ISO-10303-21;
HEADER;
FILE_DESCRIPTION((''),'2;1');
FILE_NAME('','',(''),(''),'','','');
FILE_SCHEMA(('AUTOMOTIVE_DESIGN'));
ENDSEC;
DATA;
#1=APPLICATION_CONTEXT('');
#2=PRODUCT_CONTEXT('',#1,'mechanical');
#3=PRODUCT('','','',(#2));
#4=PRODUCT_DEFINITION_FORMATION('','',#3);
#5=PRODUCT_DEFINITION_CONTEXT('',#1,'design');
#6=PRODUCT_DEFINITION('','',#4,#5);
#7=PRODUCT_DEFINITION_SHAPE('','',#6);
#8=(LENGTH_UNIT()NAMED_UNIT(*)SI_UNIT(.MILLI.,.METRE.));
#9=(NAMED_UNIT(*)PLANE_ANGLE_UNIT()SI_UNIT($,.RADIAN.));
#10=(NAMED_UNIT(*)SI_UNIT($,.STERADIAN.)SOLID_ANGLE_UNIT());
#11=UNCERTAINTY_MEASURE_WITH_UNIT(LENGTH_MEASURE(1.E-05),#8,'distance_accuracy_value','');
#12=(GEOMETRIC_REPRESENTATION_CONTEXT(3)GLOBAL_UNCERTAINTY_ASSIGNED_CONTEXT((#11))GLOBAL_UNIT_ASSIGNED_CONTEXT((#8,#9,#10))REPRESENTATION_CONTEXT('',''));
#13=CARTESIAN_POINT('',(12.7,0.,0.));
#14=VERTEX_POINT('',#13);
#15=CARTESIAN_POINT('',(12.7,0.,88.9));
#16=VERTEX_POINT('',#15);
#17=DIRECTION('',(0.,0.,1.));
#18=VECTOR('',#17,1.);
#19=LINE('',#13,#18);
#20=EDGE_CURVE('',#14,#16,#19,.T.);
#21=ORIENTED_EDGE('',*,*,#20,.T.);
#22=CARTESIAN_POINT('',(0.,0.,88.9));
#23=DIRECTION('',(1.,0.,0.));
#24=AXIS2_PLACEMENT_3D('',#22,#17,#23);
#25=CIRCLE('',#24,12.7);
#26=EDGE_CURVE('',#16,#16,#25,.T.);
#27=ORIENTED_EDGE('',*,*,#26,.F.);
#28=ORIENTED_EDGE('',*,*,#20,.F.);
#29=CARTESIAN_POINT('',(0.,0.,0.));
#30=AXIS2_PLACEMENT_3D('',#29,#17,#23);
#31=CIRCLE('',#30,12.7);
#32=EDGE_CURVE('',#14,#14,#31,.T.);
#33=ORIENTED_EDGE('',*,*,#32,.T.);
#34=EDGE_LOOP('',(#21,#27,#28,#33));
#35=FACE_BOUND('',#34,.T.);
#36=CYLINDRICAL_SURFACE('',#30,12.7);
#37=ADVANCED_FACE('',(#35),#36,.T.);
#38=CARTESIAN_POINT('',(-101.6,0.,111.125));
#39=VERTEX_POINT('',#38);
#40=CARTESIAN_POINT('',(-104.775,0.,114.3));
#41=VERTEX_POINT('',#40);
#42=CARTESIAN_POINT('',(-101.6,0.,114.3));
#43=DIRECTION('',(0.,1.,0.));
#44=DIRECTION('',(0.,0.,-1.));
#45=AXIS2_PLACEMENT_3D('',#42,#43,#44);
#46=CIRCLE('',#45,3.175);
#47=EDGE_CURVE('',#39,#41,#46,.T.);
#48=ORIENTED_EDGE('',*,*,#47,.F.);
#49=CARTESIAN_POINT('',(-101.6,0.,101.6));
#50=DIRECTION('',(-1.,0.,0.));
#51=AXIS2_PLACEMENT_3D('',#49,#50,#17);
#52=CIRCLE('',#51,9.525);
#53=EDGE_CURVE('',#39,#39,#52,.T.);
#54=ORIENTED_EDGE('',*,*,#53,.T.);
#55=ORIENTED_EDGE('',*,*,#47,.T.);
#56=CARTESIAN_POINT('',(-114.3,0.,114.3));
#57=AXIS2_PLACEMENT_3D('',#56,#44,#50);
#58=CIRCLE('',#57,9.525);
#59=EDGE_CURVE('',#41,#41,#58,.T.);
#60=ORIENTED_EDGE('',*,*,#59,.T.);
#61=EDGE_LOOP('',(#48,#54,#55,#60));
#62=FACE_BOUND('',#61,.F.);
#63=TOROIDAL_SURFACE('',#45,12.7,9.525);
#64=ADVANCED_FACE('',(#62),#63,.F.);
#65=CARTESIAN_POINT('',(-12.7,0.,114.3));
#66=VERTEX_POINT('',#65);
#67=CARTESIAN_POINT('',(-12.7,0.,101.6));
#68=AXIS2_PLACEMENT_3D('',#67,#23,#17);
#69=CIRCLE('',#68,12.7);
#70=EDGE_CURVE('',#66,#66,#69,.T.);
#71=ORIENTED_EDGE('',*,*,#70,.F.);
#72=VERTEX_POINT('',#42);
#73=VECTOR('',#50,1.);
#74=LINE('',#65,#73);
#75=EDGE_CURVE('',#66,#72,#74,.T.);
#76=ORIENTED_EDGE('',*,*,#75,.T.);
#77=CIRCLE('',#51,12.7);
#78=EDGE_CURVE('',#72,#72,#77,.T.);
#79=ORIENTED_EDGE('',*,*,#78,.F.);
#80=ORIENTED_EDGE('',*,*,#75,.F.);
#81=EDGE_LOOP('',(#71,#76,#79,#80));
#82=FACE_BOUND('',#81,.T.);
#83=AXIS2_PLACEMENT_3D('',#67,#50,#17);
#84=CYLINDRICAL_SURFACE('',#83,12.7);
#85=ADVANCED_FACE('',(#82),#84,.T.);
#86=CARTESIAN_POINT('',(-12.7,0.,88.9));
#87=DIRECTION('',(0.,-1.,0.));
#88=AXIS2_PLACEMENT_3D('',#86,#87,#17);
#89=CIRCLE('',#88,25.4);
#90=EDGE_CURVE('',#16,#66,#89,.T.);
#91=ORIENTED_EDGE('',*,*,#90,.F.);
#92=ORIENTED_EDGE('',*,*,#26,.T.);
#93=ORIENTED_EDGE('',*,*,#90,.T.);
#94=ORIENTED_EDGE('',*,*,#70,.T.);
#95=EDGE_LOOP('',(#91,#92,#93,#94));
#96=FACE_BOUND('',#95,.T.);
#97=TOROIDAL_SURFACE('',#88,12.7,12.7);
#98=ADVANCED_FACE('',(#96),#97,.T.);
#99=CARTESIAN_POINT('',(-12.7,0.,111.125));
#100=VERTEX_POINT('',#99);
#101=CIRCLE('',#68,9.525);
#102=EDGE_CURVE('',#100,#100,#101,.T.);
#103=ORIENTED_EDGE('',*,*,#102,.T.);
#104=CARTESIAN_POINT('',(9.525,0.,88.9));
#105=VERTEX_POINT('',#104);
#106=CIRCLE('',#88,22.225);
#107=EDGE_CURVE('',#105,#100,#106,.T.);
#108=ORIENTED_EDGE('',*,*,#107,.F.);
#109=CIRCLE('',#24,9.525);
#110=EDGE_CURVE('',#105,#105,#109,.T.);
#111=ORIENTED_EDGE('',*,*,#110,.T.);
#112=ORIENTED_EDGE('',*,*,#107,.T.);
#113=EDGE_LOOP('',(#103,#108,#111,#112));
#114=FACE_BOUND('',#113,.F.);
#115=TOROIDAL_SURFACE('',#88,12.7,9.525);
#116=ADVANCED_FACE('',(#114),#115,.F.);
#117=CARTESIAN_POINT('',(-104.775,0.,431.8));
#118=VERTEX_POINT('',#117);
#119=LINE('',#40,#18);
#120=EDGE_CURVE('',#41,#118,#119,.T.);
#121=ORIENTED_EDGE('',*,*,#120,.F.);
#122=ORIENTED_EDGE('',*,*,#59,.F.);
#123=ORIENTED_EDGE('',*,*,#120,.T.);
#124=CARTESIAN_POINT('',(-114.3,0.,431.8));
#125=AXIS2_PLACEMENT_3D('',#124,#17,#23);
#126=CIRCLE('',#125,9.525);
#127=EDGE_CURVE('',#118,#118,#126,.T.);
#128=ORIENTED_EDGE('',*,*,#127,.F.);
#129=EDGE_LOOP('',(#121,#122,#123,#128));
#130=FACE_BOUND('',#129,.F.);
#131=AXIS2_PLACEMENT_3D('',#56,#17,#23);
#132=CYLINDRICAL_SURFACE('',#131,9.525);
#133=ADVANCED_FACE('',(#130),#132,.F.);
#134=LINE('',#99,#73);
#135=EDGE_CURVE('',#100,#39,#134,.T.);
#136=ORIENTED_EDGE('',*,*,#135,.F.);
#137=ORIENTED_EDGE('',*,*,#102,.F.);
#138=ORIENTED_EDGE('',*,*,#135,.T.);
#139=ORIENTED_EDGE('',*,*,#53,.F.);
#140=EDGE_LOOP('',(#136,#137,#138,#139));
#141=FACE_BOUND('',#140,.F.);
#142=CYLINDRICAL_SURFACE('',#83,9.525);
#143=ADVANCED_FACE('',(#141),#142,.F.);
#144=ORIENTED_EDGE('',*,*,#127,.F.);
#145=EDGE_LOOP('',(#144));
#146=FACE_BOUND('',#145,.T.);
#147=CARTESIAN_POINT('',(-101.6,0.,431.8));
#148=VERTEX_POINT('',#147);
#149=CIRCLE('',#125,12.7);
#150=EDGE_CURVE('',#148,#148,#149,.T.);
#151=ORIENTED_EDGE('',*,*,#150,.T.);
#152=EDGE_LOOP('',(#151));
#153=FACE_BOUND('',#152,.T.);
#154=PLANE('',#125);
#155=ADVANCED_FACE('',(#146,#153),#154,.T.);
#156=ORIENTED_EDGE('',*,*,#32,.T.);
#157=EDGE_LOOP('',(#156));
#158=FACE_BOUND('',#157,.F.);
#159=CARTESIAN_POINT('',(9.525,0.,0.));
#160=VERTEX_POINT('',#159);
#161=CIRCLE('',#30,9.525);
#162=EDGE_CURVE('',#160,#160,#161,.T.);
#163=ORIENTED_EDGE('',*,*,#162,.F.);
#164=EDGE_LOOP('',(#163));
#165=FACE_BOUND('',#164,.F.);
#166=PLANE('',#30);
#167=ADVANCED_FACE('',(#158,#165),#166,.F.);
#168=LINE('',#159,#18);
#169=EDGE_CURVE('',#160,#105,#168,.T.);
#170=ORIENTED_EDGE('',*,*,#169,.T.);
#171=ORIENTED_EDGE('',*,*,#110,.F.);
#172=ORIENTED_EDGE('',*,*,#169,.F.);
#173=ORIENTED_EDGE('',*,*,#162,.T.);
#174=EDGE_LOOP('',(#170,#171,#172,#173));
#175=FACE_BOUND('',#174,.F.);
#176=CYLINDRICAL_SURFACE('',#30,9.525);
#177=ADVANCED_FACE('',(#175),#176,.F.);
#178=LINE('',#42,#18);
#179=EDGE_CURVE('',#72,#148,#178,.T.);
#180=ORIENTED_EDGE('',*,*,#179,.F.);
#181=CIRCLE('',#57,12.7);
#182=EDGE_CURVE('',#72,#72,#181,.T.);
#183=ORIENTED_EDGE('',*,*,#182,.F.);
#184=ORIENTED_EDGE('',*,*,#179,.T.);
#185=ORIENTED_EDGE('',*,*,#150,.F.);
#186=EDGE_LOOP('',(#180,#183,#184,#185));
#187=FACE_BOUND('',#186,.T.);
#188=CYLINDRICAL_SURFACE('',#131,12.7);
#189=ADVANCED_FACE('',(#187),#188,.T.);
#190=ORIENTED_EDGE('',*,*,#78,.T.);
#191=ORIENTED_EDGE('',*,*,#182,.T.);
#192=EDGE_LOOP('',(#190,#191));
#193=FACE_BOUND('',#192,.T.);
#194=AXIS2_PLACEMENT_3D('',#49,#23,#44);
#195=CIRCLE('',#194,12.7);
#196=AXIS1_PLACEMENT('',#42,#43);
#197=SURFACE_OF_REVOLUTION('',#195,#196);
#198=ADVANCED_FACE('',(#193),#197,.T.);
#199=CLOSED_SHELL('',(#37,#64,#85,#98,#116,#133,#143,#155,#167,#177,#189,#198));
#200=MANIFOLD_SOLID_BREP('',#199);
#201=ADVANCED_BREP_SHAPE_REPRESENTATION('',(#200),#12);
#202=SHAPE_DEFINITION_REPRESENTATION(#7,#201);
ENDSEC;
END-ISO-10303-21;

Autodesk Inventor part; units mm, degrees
ref_plane "YZ Plane" through (0, 0, 0) normal (1, 0, 0) x (0, 1, 0)
ref_plane "XZ Plane" through (0, 0, 0) normal (0, 1, 0) x (-1, 0, 0)
sketch "Sketch1" plane through (0, 0, 0) normal (0, 1, 0) x (-1, 0, 0)
  line L0 (0, 0) -> (0, 88.9)
  line L1 (12.7, 101.6) -> (101.6, 101.6)
  line L2 (114.3, 114.3) -> (114.3, 431.8)
  arc A0 (101.6, 101.6) -> (114.3, 114.3) centre (101.6, 114.3) ccw
  arc A1 (12.7, 101.6) -> (0, 88.9) centre (12.7, 88.9) ccw
  point P0 (0, 101.6)
  point P1 (114.3, 101.6)
  dimension "short" = 101.6
  dimension "right" = 114.3
  dimension "long" = 330.2
  dimension "turn_radius" = 12.7
  dimension "d10" = 12.7
sketch "Sketch2" plane through (0, 0, 0) normal (0, 0, 1) x (1, 0, 0)
  circle A0 centre (0, 0) radius 12.7
  circle A1 centre (0, 0) radius 9.525
  dimension "outsideDiam" = 25.4
  dimension "insideDiam" = 19.05
sweep "Sweep2" add profiles "Sketch2" path "Sketch1"
ref_plane "Work Plane1" through (0, 0, 203.2) normal (0, 0, 1) x (1, 0, 0)
properties part number "AsBuilt Aluminum Arm" material "Aluminum 6061"
